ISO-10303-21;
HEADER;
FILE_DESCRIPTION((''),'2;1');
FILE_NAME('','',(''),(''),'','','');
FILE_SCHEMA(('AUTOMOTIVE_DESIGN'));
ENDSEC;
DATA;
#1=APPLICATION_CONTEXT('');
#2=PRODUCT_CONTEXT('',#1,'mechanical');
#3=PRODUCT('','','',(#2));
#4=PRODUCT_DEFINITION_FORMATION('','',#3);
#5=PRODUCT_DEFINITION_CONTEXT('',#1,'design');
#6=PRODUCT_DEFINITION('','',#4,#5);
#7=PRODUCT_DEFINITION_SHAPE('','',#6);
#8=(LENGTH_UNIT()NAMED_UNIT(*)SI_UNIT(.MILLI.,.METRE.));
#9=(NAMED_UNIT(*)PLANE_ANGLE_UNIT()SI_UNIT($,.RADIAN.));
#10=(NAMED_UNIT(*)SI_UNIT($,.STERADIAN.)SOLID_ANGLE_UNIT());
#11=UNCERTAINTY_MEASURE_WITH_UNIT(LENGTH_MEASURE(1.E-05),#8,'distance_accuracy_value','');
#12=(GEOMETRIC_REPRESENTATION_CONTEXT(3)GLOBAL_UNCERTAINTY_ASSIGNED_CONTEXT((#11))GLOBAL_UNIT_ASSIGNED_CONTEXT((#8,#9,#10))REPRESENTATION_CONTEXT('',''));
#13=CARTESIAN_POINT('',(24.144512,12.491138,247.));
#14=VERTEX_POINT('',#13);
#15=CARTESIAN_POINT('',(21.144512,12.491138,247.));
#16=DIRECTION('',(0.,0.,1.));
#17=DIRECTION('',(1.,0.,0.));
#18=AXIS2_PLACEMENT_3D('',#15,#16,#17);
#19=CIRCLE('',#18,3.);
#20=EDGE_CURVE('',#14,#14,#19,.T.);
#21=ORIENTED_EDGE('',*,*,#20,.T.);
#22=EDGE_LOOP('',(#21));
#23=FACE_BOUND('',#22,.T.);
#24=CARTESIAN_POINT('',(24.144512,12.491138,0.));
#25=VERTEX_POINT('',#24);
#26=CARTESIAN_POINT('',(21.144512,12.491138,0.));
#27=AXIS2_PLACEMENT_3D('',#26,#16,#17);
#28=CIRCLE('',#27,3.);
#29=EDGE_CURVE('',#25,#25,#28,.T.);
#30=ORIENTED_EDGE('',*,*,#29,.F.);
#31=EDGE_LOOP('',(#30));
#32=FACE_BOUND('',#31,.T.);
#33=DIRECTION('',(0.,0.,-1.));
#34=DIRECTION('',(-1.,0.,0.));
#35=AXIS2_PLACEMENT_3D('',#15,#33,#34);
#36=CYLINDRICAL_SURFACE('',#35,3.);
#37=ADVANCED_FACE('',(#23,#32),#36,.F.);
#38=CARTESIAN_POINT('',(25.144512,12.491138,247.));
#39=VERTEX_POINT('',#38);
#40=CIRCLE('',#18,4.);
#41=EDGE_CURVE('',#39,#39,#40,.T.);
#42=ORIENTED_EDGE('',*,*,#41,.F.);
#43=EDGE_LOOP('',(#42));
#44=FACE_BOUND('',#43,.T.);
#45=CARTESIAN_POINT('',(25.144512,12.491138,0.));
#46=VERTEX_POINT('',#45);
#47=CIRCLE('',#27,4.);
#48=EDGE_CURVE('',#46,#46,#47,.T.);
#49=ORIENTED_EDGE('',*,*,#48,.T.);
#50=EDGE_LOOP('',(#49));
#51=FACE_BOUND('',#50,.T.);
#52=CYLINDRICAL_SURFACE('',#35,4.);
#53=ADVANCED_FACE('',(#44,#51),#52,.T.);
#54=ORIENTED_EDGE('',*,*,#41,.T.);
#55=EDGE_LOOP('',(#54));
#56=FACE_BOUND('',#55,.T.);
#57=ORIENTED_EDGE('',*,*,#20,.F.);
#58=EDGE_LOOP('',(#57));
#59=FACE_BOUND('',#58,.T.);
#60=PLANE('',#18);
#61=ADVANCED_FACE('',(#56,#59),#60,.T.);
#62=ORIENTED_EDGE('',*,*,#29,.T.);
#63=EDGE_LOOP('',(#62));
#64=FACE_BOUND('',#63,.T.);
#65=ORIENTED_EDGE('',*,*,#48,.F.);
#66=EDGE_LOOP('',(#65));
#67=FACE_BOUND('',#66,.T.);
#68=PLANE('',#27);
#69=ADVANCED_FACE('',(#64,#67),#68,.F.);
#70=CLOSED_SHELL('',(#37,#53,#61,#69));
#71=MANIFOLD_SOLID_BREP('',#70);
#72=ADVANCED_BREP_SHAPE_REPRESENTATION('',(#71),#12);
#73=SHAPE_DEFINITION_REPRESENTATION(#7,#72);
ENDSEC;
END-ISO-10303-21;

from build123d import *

# Parameters (mm, degrees)
MODEL_R         = 4
MODEL_R_2       = 3
EXTRUDE_1_DEPTH = 247


with BuildPart() as part:
    # Model → 凸台-拉伸1 (new body)
    with BuildSketch(Plane.XY):
        with Locations((21.144511566, 12.491138445)):
            Circle(MODEL_R)
        with Locations((21.144511566, 12.491138445)):
            Circle(MODEL_R_2, mode=Mode.SUBTRACT)
    extrude(amount=EXTRUDE_1_DEPTH)


solid = part.part
